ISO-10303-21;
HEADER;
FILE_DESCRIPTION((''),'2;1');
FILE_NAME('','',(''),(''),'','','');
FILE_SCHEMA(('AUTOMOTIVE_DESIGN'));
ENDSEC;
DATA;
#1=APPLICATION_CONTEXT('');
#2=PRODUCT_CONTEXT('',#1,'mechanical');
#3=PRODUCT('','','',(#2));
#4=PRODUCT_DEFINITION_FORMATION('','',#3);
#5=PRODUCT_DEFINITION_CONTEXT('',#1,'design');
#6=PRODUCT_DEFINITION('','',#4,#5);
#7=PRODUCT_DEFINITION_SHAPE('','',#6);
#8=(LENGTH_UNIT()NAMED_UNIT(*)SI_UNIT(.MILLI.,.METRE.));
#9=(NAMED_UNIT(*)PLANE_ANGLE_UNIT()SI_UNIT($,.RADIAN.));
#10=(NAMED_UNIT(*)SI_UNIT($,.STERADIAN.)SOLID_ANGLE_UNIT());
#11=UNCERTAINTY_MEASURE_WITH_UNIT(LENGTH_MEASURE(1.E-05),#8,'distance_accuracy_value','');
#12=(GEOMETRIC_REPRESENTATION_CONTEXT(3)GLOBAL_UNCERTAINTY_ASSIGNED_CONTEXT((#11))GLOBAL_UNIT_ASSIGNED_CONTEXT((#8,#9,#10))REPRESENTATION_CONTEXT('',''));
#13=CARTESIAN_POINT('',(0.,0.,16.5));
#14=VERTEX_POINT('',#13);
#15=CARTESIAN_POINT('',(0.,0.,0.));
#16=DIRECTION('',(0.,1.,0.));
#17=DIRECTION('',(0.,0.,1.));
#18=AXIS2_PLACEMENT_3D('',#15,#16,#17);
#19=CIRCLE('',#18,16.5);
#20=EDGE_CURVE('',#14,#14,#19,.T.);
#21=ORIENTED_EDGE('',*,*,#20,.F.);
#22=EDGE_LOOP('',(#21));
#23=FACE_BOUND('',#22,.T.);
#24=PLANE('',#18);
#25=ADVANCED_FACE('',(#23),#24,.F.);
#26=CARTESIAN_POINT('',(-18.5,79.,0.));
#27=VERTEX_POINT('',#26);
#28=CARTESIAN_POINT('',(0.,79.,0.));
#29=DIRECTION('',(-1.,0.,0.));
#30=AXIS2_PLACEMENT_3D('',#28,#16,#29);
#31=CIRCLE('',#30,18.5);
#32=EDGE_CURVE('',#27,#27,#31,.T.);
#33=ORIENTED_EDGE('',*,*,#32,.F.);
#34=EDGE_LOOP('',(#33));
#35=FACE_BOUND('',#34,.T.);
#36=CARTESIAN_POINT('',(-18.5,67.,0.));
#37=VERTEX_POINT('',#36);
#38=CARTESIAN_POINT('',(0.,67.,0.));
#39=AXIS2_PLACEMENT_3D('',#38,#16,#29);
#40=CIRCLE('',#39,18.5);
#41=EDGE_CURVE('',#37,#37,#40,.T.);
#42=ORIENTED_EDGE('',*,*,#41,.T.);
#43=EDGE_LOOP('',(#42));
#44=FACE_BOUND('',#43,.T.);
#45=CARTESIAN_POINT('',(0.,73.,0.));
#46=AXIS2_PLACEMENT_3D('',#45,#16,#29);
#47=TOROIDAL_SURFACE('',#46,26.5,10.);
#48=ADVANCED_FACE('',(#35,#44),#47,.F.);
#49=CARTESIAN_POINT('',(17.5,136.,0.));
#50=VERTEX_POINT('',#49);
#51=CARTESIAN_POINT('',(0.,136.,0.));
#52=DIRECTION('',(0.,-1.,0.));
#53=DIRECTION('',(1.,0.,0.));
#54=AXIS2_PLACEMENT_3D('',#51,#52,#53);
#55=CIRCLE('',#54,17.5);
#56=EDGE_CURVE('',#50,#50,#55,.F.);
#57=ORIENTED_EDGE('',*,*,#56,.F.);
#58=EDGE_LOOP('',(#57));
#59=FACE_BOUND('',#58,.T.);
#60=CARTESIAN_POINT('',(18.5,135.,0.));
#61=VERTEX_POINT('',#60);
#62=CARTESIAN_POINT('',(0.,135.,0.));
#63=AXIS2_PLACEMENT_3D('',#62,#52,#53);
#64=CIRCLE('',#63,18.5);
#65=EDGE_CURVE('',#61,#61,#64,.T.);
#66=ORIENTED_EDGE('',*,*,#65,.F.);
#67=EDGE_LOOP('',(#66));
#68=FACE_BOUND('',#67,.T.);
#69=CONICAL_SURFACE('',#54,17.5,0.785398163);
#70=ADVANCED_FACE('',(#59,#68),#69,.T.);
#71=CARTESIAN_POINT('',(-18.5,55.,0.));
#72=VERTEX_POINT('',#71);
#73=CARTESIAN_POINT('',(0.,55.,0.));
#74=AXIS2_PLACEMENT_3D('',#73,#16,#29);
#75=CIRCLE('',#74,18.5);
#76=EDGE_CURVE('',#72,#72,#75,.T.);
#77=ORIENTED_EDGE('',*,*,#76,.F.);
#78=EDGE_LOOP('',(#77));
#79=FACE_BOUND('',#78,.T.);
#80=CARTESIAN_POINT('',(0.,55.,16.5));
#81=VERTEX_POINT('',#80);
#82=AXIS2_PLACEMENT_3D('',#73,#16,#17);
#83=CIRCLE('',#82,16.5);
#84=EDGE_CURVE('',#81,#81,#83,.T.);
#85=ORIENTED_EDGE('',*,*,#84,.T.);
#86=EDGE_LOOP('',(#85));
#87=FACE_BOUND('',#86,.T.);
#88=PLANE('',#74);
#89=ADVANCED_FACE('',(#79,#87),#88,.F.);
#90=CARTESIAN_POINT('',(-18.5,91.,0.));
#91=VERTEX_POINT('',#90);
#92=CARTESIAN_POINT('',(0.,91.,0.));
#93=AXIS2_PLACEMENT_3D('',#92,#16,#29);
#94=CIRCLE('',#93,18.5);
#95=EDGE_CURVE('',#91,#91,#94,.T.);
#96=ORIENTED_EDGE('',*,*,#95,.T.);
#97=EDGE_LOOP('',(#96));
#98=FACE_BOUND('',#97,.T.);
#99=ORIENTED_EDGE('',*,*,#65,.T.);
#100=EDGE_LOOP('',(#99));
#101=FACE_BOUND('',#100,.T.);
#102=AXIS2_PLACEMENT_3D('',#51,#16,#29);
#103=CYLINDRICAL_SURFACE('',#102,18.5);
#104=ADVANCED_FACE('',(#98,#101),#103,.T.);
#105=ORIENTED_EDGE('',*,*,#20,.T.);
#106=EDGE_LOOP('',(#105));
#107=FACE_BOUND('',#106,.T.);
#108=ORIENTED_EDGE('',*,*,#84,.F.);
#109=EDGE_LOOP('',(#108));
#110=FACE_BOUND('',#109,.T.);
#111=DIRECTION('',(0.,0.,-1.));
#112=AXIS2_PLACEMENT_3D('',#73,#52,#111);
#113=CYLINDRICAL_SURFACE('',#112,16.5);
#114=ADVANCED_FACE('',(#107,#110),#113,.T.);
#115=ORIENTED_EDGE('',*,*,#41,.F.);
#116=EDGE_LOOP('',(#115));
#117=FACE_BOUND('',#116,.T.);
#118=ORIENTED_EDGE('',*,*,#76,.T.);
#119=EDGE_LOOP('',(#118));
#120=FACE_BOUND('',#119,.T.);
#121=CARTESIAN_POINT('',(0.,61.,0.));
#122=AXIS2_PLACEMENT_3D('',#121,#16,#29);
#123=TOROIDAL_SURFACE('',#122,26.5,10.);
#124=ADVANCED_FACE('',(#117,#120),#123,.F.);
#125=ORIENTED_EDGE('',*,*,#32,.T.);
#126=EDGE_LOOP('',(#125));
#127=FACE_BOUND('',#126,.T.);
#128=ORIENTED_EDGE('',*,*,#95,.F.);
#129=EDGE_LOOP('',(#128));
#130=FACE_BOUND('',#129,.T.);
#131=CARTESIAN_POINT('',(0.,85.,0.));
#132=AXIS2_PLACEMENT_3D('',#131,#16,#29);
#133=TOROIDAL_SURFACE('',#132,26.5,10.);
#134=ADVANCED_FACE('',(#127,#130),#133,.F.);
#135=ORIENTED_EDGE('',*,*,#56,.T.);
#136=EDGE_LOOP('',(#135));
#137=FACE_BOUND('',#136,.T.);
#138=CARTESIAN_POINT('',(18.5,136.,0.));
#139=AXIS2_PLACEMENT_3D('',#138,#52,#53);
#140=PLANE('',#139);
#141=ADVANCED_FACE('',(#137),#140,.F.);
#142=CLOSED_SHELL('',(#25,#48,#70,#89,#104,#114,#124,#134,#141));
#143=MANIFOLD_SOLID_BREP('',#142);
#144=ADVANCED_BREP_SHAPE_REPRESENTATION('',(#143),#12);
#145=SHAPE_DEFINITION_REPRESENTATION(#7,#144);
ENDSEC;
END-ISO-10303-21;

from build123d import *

# Parameters (mm, degrees)
ESQUISSE1_R        = 16.5
BOSS_EXTRU_1_DEPTH = 55
CHANFREIN1_SIZE    = 1


with BuildPart() as part:
    # Esquisse1 → Boss.-Extru.1 (new body)
    with BuildSketch(Plane(origin=(0, 0, 0), x_dir=(1, 0, 0), z_dir=(0, 1, 0))):
        with Locations(Location((0, 0, 0), (0, 0, 270))):  # turned: the seam where the file's is
            Circle(ESQUISSE1_R)
    extrude(amount=BOSS_EXTRU_1_DEPTH)

    # Esquisse5 → Révolution1 (revolve)
    with BuildSketch(Plane.XY, mode=Mode.PRIVATE) as r_volution1_sk:
        with BuildLine():
            Line((0, 55), (18.5, 55))
            ThreePointArc((18.5, 55), (16.5, 61), (18.5, 67))
            ThreePointArc((18.5, 67), (16.5, 73), (18.5, 79))
            ThreePointArc((18.5, 79), (16.5, 85), (18.5, 91))
            Line((18.5, 91), (18.5, 136))
            Line((18.5, 136), (0, 136))
            Line((0, 136), (0, 55))
        make_face()
    revolve(r_volution1_sk.sketch.rotate(Axis((0, 136, 0), (0, -1, 0)), 180), axis=Axis((0, 136, 0), (0, -1, 0)))  # turned: the seam where the file's is

    # Chanfrein1
    chanfrein1_edges = [part.edges().sort_by_distance(p)[0] for p in [
        (18.5, 136, 0),
    ]]
    chamfer(chanfrein1_edges, length=CHANFREIN1_SIZE)


solid = part.part
